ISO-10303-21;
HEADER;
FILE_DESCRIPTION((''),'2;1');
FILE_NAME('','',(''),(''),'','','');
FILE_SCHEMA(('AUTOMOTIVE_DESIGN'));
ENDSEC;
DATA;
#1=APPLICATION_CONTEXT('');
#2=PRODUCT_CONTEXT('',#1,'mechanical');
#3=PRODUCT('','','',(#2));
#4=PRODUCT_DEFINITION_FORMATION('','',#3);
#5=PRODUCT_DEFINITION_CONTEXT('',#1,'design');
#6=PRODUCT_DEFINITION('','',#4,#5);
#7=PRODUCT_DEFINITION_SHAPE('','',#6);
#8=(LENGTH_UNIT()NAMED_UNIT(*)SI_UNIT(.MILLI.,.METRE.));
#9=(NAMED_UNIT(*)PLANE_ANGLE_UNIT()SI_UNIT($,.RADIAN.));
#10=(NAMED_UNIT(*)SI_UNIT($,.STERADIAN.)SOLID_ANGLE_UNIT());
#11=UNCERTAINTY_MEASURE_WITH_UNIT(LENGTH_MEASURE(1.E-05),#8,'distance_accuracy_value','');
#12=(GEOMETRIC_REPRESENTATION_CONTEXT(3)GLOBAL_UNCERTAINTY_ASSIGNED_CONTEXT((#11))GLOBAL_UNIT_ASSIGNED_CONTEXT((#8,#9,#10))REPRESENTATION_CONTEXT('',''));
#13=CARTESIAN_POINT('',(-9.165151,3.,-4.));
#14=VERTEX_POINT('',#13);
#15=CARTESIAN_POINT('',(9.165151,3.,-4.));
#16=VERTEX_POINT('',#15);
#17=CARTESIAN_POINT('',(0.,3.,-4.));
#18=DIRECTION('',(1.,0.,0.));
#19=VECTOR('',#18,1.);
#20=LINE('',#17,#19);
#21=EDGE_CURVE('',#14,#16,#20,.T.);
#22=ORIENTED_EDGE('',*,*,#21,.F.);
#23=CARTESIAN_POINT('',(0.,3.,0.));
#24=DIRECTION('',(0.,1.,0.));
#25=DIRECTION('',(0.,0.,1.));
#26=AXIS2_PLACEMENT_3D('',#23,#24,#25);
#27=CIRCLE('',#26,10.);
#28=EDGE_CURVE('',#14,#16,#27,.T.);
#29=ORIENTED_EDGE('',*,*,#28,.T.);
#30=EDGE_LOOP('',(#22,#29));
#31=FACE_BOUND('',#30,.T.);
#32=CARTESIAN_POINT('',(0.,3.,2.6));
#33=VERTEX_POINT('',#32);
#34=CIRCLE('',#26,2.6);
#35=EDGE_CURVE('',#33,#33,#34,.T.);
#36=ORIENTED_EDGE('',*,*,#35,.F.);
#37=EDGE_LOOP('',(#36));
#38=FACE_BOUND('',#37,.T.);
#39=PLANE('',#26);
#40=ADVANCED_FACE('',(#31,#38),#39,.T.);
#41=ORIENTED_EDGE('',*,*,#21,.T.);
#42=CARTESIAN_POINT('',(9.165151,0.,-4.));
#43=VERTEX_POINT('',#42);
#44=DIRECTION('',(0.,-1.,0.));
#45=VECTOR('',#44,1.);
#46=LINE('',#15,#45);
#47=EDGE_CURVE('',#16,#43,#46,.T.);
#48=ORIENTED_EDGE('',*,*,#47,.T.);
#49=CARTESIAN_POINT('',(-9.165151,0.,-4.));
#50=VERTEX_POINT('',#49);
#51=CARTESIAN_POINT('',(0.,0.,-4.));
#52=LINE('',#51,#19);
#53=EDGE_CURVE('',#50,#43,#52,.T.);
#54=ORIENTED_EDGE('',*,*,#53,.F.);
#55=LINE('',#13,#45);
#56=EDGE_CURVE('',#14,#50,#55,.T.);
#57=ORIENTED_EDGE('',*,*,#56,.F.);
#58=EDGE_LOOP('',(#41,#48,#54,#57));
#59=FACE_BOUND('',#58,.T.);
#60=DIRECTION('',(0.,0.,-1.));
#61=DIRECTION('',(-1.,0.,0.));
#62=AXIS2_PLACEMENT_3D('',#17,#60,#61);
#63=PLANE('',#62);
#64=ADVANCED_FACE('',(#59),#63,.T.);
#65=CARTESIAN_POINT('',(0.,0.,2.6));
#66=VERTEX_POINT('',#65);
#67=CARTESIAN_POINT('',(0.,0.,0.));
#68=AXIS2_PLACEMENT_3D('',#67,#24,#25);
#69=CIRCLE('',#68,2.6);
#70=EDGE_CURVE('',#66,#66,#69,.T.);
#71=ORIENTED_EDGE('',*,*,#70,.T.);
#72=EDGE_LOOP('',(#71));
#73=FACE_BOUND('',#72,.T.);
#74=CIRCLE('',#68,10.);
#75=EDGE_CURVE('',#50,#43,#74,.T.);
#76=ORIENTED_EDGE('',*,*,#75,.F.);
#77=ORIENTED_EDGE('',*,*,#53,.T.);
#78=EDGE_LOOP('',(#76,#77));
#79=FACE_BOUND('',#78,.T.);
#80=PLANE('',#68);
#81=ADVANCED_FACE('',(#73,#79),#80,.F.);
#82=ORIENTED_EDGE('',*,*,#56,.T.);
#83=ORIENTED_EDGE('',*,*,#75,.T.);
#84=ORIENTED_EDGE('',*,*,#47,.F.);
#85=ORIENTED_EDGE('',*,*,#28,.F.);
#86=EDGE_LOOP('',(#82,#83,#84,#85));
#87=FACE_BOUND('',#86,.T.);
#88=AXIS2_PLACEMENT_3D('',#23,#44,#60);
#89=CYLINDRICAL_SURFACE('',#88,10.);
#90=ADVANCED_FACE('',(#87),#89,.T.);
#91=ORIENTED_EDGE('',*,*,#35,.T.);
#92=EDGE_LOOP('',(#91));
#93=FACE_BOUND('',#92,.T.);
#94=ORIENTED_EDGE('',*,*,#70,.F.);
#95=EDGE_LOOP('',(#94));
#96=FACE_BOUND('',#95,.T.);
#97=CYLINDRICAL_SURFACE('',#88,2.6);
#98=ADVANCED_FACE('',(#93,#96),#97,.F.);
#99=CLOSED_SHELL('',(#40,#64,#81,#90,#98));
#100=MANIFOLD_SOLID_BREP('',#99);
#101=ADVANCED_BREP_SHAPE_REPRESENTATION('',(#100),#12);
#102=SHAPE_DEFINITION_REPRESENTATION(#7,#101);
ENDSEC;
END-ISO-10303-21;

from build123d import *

# Parameters (mm, degrees)
SKETCH_1_R      = 2.6
EXTRUDE_1_DEPTH = 3


with BuildPart() as part:
    # 草图1 → 凸台-拉伸1 (new body)
    with BuildSketch(Plane(origin=(0, 0, 0), x_dir=(1, 0, 0), z_dir=(0, 1, 0))):
        with BuildLine():
            Line((9.16515139, 4), (-9.16515139, 4))
            ThreePointArc((-9.16515139, 4), (-2.043096437, -9.789063129), (10, 0))
            ThreePointArc((10, 0), (9.789063129, 2.043096437), (9.16515139, 4))
        make_face()
        with Locations(Location((0, 0, 0), (0, 0, 270))):
            Circle(SKETCH_1_R, mode=Mode.SUBTRACT)
    extrude(amount=EXTRUDE_1_DEPTH)


solid = part.part
